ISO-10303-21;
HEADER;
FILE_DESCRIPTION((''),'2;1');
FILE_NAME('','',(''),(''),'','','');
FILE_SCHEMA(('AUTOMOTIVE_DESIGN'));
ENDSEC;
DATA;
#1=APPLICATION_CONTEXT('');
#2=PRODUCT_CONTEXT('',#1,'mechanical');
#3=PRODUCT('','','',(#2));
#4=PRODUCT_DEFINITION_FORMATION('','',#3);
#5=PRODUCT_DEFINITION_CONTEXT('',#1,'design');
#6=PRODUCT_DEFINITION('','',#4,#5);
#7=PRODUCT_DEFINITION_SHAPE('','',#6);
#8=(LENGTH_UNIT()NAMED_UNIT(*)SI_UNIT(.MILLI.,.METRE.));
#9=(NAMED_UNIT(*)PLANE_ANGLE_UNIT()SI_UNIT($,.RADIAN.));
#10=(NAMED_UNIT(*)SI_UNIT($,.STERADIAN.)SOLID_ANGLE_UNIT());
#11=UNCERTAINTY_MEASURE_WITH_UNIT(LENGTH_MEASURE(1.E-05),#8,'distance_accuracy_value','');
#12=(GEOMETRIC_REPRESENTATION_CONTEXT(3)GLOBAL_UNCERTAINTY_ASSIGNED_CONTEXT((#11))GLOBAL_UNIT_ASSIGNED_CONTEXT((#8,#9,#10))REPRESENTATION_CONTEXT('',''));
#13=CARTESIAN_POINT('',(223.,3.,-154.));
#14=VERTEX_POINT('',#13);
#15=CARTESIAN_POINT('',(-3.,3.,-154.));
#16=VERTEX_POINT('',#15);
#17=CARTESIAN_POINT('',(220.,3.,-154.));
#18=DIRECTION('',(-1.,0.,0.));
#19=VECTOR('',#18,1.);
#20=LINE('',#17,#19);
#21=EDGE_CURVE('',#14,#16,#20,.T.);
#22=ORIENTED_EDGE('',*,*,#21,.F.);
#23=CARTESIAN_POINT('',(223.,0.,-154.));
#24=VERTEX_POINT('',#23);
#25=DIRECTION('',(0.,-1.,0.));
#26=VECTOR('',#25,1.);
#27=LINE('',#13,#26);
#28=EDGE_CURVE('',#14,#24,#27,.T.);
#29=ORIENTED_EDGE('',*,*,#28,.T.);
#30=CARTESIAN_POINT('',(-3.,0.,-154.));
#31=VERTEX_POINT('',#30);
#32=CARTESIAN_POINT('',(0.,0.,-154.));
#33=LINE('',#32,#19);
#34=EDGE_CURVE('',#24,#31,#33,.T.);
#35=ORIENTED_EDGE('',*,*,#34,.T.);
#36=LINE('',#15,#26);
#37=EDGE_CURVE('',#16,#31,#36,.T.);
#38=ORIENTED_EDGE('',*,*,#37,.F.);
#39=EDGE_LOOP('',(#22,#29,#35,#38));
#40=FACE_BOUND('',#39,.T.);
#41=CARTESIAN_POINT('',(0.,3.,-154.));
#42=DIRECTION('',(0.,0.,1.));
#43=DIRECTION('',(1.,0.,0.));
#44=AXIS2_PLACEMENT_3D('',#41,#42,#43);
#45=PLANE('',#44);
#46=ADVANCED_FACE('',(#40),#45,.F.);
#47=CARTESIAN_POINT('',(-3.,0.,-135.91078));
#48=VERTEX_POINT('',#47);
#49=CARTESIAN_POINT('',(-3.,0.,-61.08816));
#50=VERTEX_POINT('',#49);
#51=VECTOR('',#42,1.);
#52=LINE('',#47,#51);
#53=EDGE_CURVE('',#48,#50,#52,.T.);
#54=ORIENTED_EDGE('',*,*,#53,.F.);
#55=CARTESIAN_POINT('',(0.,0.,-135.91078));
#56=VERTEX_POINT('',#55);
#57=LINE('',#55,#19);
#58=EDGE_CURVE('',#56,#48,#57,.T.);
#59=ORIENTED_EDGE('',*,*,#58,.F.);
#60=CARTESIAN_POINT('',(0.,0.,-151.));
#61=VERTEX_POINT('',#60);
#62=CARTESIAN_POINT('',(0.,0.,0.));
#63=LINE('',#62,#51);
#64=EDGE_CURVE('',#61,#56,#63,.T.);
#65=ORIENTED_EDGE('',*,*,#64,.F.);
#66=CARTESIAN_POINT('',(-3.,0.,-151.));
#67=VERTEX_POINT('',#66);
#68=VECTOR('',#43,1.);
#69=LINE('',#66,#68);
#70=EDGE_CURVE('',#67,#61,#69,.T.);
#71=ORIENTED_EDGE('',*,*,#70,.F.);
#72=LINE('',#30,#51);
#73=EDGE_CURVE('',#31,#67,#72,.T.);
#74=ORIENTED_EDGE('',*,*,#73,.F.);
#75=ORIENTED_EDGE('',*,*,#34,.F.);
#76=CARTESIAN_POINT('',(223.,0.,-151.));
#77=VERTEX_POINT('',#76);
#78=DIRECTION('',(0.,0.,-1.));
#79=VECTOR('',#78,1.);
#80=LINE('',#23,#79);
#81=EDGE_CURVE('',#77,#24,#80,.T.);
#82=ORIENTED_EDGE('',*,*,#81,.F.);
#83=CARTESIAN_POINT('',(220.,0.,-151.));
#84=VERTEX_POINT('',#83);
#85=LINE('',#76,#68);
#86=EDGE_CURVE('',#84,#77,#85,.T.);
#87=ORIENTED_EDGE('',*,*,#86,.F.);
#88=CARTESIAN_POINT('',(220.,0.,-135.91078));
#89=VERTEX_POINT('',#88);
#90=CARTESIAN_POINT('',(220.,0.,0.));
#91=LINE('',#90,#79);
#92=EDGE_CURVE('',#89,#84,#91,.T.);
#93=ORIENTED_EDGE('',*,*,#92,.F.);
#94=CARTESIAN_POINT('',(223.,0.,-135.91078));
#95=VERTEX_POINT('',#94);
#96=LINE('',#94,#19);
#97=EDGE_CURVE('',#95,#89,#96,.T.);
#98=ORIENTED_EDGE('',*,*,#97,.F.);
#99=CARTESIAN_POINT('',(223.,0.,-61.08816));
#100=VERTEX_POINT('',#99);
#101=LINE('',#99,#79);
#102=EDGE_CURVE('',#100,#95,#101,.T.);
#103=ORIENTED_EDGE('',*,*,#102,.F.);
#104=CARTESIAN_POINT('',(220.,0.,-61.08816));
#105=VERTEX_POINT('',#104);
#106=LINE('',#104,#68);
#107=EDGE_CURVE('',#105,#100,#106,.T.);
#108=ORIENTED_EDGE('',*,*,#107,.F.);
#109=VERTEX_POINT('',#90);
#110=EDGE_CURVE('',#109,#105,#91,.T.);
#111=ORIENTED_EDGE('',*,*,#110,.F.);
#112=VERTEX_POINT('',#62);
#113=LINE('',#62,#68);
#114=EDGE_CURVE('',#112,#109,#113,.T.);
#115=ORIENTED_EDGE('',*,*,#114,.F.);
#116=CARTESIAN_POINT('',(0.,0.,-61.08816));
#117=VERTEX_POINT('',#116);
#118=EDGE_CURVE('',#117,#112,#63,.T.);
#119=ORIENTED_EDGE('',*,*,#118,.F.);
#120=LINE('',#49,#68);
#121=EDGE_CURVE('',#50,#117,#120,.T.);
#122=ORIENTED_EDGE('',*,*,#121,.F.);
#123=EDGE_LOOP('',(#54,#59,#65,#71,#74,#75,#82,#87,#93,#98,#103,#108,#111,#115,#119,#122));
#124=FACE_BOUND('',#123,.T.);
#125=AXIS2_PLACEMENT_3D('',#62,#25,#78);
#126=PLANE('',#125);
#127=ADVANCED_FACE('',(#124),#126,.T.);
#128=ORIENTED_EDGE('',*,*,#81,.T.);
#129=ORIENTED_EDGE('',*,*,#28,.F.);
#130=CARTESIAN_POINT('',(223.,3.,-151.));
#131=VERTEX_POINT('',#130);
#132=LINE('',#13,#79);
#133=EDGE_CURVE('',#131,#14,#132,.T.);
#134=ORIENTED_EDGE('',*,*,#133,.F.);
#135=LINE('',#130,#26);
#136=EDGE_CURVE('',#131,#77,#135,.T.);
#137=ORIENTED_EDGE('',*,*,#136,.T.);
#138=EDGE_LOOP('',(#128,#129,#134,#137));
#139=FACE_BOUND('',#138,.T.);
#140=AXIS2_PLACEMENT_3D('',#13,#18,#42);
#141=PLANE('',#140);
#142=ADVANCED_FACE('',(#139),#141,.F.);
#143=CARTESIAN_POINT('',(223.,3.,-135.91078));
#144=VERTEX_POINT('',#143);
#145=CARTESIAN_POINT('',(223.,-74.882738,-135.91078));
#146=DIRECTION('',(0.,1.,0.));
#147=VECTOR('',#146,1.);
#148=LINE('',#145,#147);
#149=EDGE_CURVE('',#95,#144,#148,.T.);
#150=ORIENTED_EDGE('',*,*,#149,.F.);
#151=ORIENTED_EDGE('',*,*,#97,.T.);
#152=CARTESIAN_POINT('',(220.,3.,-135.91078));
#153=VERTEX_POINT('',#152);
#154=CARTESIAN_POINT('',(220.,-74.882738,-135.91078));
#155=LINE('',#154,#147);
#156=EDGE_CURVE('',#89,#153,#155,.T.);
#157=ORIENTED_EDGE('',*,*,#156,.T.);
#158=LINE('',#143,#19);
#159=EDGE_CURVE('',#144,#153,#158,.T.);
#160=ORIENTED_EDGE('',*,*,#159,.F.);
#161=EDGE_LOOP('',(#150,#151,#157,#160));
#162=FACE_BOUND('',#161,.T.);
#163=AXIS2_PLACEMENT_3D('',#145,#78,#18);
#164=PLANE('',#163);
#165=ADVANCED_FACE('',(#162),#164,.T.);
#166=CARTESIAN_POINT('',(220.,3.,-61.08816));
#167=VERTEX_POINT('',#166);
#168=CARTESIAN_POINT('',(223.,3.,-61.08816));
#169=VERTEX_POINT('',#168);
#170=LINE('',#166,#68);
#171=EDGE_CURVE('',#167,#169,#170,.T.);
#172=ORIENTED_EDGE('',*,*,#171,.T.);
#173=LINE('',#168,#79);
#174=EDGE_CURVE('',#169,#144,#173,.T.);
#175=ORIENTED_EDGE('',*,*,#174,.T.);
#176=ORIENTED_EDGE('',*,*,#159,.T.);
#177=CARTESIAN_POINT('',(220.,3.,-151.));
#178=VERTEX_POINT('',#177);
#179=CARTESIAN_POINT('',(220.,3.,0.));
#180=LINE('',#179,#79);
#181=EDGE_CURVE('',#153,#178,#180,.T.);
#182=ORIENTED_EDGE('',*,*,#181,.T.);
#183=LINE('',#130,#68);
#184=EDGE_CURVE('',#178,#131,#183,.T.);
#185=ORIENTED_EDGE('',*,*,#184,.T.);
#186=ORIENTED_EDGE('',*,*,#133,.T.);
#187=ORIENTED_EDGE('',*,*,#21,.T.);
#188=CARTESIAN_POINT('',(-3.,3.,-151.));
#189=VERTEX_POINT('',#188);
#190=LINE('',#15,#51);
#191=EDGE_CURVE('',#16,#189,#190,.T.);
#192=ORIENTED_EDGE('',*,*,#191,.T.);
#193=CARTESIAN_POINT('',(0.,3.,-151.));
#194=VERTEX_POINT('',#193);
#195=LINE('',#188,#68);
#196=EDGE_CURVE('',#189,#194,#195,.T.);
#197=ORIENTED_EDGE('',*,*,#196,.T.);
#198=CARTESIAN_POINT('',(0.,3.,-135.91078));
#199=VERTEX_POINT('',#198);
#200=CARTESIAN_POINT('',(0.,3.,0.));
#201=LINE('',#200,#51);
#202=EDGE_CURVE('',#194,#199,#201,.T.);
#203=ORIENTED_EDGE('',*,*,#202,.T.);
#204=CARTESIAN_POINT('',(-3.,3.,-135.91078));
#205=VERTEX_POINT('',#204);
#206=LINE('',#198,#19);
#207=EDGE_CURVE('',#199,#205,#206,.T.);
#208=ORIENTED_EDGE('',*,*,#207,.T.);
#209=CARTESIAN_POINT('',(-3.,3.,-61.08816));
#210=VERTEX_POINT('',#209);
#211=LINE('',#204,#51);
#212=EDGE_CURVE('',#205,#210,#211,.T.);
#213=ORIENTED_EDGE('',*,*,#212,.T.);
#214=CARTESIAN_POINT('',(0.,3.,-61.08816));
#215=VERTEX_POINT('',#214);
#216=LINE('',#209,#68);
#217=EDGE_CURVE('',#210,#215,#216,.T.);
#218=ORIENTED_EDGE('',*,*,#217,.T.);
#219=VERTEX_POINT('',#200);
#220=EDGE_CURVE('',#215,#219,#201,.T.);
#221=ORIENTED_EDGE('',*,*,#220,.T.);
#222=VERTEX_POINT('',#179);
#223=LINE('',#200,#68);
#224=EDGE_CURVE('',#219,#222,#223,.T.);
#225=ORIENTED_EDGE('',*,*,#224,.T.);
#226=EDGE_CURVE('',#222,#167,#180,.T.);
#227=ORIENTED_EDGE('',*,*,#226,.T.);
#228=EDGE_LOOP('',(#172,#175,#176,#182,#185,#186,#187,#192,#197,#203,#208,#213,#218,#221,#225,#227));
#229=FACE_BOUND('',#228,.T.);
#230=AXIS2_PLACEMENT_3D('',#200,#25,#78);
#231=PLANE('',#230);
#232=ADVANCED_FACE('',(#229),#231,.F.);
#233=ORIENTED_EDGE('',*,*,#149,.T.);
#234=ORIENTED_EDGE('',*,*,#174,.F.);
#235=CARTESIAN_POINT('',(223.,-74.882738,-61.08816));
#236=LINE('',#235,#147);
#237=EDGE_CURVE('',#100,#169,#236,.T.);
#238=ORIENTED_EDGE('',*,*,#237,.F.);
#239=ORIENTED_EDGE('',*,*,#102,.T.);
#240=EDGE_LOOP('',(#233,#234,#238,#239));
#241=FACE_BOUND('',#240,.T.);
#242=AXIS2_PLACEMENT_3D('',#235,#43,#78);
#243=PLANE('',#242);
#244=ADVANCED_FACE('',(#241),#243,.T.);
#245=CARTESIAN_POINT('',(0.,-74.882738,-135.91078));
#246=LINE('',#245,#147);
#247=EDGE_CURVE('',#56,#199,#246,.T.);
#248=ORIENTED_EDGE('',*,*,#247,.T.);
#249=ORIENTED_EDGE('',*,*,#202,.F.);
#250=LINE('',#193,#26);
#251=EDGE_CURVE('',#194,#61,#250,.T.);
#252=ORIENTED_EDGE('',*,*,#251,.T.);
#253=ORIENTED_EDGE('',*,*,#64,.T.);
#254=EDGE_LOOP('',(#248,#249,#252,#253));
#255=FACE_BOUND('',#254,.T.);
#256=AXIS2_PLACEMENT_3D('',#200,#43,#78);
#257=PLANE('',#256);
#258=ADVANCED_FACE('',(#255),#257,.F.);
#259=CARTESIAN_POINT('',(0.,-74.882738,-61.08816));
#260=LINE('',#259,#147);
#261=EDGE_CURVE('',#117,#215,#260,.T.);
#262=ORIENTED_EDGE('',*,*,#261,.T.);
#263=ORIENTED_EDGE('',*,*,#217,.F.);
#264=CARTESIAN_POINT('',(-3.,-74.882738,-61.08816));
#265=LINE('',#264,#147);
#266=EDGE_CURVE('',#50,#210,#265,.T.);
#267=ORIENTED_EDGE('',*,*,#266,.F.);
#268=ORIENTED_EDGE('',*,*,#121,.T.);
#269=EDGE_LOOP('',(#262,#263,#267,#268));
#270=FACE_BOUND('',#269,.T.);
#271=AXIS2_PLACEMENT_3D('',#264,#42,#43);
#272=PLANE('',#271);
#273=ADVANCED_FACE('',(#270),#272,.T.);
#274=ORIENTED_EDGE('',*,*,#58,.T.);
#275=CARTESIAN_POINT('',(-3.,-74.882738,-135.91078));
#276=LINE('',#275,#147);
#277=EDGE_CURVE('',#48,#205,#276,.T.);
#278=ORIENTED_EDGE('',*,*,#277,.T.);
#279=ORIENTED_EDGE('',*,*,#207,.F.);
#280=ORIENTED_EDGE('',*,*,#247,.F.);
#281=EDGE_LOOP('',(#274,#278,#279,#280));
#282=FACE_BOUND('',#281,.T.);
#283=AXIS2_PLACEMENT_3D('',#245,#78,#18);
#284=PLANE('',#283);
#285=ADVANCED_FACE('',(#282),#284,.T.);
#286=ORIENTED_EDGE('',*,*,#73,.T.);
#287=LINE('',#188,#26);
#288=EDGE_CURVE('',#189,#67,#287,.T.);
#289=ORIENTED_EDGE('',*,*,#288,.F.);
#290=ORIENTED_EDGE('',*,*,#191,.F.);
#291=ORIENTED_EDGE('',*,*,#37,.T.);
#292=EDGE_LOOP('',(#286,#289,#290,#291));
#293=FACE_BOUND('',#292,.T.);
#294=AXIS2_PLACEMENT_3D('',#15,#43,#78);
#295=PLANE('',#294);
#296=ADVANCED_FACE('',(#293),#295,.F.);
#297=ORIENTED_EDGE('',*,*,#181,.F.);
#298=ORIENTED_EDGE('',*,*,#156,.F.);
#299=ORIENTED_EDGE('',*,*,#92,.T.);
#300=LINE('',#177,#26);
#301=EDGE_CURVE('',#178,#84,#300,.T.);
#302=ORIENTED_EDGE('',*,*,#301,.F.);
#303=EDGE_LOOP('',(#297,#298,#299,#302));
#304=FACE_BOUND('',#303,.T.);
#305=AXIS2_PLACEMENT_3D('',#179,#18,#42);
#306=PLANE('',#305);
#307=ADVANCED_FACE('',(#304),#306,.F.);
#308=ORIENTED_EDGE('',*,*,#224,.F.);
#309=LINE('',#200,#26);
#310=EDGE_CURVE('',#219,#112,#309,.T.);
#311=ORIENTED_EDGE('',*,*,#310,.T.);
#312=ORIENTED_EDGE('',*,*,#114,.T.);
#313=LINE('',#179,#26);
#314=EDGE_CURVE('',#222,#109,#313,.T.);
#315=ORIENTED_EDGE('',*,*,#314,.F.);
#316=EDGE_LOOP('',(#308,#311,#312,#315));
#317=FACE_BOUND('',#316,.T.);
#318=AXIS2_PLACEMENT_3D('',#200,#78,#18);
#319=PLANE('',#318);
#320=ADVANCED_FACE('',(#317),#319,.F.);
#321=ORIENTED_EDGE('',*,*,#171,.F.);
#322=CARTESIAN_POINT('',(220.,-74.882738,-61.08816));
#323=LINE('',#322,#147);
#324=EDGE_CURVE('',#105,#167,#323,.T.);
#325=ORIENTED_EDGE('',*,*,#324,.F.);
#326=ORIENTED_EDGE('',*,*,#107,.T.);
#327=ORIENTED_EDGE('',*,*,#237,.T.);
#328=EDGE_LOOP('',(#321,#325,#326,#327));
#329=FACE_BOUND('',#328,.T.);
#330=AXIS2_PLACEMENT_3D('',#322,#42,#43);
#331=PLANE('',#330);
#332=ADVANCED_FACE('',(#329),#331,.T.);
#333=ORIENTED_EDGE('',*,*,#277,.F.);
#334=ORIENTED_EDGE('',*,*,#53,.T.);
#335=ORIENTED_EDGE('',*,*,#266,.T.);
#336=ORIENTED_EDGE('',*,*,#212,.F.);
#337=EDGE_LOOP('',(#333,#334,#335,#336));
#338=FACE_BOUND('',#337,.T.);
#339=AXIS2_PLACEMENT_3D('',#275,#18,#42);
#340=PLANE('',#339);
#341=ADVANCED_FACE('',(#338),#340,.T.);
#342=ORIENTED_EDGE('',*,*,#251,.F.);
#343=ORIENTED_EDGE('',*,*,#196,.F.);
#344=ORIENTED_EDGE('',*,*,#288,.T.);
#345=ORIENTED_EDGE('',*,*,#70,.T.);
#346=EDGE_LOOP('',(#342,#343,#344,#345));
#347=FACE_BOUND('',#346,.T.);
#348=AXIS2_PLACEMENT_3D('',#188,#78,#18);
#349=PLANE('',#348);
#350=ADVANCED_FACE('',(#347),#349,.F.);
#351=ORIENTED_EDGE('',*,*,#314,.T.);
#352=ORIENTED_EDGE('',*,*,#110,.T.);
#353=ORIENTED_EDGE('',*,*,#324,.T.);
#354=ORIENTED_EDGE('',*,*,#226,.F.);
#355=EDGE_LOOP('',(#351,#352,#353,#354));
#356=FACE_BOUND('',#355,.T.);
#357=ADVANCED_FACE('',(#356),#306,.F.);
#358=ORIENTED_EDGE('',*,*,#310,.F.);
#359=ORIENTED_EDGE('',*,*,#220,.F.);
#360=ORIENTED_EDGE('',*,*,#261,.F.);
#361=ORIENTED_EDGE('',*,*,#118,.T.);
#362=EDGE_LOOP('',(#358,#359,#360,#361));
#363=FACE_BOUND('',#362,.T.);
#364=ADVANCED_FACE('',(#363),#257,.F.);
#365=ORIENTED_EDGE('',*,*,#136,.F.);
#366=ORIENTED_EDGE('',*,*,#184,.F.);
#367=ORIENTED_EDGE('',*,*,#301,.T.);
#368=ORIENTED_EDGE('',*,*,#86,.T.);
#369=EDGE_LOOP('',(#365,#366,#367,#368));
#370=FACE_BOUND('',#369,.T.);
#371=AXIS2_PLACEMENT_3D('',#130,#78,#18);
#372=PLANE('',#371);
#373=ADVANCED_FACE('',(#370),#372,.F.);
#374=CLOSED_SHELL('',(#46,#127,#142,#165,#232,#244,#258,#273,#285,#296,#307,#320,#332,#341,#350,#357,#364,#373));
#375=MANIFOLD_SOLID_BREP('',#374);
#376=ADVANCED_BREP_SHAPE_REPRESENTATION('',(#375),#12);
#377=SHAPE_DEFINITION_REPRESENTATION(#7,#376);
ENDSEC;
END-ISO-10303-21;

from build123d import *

# Parameters (mm, degrees)
BOSS_EXTRUDE1_DEPTH = 3
SKETCH3_W           = 3
SKETCH3_H           = 74.822620372
BOSS_EXTRUDE2_DEPTH = 3


with BuildPart() as part:
    # Sketch1 → Boss-Extrude1 (new body)
    with BuildSketch(Plane(origin=(0, 0, 0), x_dir=(1, 0, 0), z_dir=(0, 1, 0))):
        Polygon((0, 154), (-3, 154), (-3, 151), (0, 151), (0, 0), (220, 0), (220, 151), (223, 151), (223, 154), (220, 154), align=None)
    extrude(amount=BOSS_EXTRUDE1_DEPTH)

    # Sketch3 → Boss-Extrude2 (add)
    with BuildSketch(Plane(origin=(0, 3, 0), x_dir=(1, 0, 0), z_dir=(0, 1, 0))):
        with Locations((-1.5, 98.49947017)):
            Rectangle(SKETCH3_W, SKETCH3_H)
        with Locations((221.5, 98.49947017)):
            Rectangle(SKETCH3_W, SKETCH3_H)
    extrude(amount=-BOSS_EXTRUDE2_DEPTH)


solid = part.part
